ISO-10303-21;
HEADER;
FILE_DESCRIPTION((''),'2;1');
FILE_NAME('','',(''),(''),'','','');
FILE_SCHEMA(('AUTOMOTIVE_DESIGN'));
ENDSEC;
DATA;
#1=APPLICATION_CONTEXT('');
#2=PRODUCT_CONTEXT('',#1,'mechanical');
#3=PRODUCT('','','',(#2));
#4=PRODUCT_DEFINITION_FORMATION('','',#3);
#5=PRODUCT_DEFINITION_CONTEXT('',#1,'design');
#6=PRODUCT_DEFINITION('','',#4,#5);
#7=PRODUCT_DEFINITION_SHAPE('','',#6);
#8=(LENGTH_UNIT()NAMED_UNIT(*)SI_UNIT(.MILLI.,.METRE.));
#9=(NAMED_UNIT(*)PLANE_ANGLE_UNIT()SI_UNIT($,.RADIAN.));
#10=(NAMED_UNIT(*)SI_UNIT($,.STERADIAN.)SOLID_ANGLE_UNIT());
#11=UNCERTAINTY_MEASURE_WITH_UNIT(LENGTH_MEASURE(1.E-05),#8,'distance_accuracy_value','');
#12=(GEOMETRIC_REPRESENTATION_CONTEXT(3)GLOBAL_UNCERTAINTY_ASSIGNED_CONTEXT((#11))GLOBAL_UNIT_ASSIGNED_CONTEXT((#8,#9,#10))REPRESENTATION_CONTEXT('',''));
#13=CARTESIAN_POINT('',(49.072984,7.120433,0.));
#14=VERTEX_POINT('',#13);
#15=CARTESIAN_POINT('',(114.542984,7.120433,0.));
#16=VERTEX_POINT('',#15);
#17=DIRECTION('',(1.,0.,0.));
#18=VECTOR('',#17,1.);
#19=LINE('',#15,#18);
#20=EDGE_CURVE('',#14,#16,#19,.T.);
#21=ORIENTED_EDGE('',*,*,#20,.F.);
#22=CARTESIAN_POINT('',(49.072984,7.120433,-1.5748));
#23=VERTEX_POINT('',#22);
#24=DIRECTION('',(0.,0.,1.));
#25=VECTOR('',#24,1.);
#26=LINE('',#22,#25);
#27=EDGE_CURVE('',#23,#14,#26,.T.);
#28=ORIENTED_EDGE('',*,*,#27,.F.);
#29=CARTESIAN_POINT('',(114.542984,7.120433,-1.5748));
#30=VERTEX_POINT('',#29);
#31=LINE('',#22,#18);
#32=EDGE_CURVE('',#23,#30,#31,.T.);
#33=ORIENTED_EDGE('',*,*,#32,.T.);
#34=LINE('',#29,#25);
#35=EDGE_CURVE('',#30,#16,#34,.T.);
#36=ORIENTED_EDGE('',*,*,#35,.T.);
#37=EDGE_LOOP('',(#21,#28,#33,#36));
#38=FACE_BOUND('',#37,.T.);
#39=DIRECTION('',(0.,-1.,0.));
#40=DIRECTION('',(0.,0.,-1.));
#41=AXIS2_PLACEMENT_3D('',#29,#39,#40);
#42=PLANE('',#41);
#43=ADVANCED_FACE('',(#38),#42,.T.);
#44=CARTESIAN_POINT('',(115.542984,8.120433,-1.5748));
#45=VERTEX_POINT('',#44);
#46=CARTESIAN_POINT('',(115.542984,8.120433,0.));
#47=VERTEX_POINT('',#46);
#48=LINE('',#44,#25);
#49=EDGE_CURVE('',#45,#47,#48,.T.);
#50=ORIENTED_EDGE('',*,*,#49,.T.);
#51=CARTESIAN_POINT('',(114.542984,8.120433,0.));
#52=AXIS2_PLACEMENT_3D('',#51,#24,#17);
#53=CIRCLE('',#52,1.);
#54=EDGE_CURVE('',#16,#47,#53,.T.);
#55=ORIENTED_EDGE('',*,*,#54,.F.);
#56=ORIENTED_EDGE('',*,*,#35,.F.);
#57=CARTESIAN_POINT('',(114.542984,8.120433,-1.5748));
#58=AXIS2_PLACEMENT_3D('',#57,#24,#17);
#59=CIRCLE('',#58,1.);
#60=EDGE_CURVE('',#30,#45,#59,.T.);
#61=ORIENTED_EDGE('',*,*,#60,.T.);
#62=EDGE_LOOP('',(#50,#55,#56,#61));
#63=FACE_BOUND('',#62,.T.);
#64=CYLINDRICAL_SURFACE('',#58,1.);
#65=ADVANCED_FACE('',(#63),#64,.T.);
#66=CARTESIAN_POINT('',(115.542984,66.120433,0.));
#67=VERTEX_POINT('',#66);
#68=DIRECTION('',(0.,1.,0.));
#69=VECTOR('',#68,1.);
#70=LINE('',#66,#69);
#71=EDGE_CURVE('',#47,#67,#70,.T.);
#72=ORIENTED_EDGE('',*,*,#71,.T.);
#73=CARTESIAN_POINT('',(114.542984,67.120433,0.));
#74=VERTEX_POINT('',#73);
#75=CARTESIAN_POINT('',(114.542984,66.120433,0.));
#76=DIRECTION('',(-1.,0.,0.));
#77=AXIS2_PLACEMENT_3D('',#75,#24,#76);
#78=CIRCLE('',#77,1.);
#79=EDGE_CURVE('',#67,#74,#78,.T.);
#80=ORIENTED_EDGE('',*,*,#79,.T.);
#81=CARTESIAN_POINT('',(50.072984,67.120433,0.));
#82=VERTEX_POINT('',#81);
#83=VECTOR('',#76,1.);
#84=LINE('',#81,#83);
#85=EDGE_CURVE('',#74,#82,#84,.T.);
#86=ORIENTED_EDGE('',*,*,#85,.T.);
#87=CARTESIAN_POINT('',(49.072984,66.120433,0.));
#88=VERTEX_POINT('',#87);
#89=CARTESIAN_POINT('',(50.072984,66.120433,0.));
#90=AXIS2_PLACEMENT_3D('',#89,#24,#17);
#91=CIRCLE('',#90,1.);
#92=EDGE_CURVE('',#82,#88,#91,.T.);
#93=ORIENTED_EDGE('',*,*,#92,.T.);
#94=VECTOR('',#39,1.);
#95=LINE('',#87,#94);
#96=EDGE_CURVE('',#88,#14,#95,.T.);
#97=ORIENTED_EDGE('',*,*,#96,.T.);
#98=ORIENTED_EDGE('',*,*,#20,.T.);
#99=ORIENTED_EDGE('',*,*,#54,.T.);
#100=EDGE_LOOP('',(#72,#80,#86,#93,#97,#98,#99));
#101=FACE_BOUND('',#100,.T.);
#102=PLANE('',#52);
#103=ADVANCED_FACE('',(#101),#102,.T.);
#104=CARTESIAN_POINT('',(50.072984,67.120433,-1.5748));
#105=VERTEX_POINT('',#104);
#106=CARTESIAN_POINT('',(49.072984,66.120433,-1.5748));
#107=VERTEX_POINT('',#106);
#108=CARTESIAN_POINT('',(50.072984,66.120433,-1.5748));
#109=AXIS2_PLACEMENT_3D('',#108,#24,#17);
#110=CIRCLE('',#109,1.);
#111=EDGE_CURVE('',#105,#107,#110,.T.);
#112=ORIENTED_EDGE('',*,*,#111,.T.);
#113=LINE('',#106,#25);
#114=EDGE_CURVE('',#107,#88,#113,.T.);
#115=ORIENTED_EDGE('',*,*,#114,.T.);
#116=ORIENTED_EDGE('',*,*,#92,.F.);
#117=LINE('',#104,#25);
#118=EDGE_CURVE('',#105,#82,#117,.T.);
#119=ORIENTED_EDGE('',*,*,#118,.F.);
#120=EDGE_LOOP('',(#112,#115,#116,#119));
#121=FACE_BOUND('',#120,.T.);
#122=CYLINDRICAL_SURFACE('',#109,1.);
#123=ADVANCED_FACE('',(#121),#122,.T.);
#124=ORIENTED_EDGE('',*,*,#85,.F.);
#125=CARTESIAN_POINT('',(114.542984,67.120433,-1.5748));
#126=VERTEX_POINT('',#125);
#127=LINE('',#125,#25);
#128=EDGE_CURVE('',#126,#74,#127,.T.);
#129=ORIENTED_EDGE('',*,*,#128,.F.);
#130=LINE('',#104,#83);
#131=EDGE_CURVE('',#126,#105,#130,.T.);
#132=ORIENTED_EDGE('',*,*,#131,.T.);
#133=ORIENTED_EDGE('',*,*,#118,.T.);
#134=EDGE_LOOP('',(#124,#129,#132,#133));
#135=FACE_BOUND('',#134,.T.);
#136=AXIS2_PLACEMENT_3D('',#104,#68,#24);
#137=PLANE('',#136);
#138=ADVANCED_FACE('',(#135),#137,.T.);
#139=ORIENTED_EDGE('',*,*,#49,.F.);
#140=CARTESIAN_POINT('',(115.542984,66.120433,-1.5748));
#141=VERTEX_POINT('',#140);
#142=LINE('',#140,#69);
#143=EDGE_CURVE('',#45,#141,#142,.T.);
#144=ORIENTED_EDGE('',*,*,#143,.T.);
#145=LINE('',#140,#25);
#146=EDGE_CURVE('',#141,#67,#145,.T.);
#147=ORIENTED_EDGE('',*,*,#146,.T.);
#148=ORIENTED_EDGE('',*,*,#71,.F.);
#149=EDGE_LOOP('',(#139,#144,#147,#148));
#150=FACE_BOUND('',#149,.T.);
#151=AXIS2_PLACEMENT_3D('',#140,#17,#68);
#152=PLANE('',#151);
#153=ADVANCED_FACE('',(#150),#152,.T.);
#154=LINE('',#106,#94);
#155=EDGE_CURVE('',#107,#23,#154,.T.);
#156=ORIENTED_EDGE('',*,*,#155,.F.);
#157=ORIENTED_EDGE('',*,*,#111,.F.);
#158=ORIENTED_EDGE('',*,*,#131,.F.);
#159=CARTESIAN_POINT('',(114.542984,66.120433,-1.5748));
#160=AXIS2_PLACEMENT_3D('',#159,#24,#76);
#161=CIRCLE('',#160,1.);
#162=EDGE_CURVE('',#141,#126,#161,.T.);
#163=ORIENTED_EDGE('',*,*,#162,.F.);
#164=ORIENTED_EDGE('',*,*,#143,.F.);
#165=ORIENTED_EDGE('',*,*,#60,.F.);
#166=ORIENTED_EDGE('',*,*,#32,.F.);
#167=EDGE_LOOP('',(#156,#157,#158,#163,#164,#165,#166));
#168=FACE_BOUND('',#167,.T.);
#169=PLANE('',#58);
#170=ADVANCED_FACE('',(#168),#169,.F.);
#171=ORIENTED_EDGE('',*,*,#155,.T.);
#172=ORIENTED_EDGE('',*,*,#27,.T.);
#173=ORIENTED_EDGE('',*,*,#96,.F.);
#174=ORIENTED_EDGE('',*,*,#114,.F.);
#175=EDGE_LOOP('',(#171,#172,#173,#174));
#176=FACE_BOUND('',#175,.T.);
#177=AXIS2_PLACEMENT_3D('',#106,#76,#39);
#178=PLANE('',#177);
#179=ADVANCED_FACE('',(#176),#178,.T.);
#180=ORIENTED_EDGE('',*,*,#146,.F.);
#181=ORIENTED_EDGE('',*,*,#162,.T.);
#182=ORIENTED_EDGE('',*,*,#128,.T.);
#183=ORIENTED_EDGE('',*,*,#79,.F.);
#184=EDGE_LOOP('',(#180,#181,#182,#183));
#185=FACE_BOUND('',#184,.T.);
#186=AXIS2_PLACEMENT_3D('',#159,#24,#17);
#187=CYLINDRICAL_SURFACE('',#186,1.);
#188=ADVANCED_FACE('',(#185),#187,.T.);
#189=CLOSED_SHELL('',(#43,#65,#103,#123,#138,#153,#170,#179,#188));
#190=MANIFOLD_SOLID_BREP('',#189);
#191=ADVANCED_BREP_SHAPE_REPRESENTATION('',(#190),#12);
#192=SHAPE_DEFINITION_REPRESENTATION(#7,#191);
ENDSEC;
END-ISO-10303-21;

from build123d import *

# Parameters (mm, degrees)
BOSS_EXTRUDE1_DEPTH = 1.5748


with BuildPart() as part:
    # BPR2 PCB Outline → Boss-Extrude1 (new body)
    with BuildSketch(Plane.XY):
        with BuildLine():
            Line((114.542984325, 7.120432961), (102.642984325, 7.120432961))
            Line((102.642984325, 7.120432961), (82.642984325, 7.120432961))
            Line((82.642984325, 7.120432961), (49.072984325, 7.120432961))
            Line((49.072984325, 7.120432961), (49.072984325, 66.120432961))
            ThreePointArc((49.072984325, 66.120432961), (49.365877543, 66.827539743), (50.072984325, 67.120432961))
            Line((50.072984325, 67.120432961), (114.542984325, 67.120432961))
            ThreePointArc((114.542984325, 67.120432961), (115.250091106, 66.827539743), (115.542984325, 66.120432961))
            Line((115.542984325, 66.120432961), (115.542984325, 8.120432961))
            ThreePointArc((115.542984325, 8.120432961), (115.250091106, 7.41332618), (114.542984325, 7.120432961))
        make_face()
    extrude(amount=-BOSS_EXTRUDE1_DEPTH)


solid = part.part
